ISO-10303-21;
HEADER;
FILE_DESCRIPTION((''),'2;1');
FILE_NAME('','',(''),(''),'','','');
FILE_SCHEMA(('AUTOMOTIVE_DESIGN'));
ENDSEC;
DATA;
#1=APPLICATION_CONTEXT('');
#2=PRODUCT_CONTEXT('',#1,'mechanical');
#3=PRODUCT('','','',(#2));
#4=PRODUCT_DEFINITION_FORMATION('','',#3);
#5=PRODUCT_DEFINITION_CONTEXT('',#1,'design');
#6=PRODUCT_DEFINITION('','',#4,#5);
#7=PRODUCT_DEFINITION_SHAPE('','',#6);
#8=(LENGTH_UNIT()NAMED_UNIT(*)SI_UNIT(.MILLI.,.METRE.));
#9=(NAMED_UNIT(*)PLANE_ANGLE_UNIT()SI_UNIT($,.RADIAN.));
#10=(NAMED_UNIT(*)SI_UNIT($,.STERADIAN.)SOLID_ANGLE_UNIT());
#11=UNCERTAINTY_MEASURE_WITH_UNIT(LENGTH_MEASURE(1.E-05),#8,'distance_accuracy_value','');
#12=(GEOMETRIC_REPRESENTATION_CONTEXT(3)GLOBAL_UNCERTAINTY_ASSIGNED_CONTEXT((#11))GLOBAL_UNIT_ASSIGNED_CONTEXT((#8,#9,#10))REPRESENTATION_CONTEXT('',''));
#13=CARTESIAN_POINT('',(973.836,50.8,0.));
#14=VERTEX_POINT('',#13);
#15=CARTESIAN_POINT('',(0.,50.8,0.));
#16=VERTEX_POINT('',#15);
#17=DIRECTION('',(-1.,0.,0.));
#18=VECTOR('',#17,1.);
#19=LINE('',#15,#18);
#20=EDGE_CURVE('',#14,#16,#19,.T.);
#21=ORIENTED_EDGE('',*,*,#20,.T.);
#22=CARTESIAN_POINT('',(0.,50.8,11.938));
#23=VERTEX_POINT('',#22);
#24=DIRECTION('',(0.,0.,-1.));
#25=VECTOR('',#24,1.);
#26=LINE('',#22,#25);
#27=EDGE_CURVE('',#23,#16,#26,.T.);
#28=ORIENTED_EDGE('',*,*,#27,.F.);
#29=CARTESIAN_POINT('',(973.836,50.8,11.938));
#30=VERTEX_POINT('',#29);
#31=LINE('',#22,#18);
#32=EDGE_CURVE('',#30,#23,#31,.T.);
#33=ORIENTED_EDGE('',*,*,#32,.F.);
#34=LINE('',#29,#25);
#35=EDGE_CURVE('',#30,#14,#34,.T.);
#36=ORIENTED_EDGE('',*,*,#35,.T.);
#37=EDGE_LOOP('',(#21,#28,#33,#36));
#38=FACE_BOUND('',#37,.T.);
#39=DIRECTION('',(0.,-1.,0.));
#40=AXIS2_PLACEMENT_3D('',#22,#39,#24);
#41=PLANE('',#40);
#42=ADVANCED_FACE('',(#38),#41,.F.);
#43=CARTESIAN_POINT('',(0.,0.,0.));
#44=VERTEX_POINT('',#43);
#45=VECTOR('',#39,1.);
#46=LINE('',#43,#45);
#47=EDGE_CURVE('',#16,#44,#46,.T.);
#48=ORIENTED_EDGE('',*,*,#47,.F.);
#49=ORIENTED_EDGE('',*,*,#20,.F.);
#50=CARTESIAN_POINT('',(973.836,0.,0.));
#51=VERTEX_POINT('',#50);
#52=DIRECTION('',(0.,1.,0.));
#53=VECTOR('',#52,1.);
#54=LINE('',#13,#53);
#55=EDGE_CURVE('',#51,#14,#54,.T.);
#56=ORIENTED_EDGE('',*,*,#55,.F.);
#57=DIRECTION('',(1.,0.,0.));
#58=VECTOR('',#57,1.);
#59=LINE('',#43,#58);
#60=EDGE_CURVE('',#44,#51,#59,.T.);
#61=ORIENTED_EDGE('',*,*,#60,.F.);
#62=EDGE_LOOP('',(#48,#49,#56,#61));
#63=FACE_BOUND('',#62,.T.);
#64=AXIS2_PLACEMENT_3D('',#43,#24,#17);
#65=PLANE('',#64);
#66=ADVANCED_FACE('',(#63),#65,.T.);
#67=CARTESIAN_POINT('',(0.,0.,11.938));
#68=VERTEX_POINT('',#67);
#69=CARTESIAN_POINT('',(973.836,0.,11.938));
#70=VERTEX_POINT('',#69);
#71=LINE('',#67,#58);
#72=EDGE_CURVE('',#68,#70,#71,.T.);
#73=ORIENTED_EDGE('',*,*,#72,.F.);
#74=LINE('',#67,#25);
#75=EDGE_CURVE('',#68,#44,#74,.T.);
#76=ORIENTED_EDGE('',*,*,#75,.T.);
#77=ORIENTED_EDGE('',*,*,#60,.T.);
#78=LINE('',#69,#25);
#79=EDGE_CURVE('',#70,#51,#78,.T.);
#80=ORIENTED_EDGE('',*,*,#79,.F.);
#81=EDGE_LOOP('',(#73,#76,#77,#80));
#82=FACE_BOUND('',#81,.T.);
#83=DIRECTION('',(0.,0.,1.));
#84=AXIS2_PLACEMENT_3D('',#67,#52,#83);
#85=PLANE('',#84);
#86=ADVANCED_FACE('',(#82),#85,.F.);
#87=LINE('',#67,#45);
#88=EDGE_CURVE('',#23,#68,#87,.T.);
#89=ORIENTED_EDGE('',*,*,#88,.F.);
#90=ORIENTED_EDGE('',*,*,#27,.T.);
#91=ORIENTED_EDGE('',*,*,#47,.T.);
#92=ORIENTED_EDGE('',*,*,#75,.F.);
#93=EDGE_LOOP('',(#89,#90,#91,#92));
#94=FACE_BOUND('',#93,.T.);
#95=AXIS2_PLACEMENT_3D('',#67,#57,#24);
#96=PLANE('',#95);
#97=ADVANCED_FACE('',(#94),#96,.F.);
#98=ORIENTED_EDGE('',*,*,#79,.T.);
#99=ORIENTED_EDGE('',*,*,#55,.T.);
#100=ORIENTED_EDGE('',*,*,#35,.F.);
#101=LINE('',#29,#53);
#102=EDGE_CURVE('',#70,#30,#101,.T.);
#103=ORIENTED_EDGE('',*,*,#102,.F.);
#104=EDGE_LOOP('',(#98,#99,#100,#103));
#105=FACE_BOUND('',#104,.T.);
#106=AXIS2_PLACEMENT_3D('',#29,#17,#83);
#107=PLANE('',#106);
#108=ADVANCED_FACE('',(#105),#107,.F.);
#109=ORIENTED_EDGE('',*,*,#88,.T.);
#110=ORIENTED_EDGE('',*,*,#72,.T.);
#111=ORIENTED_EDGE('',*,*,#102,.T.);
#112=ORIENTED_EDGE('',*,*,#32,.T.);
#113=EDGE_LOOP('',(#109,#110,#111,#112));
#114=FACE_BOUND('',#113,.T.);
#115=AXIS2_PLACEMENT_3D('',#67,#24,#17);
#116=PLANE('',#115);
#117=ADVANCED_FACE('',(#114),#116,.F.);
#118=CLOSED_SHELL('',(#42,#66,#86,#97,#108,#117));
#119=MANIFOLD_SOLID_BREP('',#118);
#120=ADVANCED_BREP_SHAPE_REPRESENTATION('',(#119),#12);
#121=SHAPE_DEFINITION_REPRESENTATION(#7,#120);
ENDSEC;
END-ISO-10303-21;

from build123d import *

# Parameters (mm, degrees)
SKETCH1_W           = 973.836
SKETCH1_H           = 50.8
BOSS_EXTRUDE1_DEPTH = 11.938


with BuildPart() as part:
    # Sketch1 → Boss-Extrude1 (new body)
    with BuildSketch(Plane.XY):
        with Locations((486.918, 25.4)):
            Rectangle(SKETCH1_W, SKETCH1_H)
    extrude(amount=BOSS_EXTRUDE1_DEPTH)


solid = part.part
